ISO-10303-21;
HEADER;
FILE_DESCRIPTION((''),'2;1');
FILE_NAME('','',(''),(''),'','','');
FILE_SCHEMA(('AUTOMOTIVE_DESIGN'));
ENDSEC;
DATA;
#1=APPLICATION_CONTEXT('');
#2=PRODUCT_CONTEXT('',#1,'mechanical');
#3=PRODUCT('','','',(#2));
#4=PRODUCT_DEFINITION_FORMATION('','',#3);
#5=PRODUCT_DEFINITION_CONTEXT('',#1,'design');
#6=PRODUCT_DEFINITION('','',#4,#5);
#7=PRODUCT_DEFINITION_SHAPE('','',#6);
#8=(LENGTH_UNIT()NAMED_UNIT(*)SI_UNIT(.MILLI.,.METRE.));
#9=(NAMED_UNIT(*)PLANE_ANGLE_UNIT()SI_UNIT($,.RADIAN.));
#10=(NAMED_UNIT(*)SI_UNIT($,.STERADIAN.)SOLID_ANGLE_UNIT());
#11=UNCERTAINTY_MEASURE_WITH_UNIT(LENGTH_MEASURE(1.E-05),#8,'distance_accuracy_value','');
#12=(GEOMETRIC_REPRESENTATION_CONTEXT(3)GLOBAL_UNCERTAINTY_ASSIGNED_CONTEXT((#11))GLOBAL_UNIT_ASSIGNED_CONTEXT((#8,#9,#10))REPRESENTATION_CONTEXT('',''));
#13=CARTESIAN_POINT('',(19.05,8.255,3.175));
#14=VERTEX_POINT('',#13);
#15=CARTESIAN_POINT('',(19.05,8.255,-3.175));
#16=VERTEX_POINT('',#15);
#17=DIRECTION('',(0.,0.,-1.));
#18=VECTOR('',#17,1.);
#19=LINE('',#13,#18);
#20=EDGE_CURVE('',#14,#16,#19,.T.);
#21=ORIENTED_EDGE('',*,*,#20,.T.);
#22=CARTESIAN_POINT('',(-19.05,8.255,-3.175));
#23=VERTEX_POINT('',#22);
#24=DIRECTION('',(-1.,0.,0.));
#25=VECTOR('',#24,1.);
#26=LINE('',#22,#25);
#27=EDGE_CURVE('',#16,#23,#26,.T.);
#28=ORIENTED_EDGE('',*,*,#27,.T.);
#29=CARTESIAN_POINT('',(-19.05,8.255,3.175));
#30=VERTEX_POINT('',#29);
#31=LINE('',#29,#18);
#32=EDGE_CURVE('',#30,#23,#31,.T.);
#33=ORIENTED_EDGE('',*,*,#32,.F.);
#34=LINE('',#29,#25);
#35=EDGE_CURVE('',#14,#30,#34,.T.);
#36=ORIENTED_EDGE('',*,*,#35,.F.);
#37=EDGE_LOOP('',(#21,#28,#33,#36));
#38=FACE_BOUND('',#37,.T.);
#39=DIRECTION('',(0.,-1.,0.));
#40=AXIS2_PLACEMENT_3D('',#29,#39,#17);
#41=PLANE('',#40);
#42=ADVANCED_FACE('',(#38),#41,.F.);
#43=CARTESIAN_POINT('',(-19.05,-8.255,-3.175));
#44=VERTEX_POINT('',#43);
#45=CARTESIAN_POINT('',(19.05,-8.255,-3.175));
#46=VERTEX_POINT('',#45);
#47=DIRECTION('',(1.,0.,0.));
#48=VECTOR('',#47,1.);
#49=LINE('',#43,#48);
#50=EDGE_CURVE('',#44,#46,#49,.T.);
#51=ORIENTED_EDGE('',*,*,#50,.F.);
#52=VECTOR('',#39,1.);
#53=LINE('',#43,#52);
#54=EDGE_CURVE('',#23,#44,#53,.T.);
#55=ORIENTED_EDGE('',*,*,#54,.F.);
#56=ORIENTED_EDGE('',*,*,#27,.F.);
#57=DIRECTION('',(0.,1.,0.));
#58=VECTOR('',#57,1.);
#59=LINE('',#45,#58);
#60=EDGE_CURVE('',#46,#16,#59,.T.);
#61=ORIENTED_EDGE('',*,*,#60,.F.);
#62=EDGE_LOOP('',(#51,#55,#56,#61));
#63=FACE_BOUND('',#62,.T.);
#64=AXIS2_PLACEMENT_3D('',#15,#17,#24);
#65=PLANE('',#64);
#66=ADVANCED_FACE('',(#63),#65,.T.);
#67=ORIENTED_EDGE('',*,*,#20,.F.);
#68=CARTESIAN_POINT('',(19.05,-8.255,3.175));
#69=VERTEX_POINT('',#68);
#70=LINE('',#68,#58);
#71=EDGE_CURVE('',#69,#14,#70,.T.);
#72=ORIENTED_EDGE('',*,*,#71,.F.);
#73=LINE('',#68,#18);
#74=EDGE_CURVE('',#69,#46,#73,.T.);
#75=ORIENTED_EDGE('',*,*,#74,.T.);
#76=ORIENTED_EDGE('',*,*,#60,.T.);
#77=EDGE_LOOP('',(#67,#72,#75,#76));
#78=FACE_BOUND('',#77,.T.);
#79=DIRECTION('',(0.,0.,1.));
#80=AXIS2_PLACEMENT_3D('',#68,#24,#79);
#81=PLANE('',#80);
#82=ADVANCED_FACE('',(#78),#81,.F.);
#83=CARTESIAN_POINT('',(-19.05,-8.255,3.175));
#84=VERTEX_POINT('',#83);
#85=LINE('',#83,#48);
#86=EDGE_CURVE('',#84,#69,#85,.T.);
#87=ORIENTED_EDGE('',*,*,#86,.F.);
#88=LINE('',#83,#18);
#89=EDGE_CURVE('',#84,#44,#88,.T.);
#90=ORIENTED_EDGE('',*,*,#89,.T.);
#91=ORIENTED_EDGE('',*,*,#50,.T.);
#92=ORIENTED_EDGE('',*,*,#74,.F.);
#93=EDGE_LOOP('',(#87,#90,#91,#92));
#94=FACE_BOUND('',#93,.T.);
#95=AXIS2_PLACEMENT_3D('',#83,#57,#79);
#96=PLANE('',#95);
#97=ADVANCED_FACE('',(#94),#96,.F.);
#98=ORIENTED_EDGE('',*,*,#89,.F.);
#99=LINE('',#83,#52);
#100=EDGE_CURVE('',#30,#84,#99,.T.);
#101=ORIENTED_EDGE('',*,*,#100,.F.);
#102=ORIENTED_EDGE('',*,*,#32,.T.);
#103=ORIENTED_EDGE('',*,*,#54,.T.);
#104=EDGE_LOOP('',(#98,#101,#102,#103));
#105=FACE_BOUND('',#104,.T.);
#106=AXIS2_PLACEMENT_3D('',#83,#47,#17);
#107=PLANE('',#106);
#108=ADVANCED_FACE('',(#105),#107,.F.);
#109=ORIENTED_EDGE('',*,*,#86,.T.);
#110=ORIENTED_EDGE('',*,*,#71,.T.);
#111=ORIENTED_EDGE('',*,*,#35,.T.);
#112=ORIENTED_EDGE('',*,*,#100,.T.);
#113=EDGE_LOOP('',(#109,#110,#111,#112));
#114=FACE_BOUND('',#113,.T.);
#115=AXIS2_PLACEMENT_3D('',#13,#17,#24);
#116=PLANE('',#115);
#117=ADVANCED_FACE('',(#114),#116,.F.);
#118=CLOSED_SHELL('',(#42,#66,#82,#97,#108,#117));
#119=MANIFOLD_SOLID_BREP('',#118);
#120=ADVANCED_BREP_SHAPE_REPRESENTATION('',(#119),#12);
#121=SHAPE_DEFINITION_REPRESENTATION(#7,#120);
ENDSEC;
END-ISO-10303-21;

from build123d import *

# Parameters (mm, degrees)
SKETCH1_W           = 38.1
SKETCH1_H           = 16.51
BOSS_EXTRUDE1_DEPTH = 3.175


with BuildPart() as part:
    # Sketch1 → Boss-Extrude1 (new body, symmetric)
    with BuildSketch(Plane.XY):
        Rectangle(SKETCH1_W, SKETCH1_H)
    extrude(amount=BOSS_EXTRUDE1_DEPTH, both=True)


solid = part.part
